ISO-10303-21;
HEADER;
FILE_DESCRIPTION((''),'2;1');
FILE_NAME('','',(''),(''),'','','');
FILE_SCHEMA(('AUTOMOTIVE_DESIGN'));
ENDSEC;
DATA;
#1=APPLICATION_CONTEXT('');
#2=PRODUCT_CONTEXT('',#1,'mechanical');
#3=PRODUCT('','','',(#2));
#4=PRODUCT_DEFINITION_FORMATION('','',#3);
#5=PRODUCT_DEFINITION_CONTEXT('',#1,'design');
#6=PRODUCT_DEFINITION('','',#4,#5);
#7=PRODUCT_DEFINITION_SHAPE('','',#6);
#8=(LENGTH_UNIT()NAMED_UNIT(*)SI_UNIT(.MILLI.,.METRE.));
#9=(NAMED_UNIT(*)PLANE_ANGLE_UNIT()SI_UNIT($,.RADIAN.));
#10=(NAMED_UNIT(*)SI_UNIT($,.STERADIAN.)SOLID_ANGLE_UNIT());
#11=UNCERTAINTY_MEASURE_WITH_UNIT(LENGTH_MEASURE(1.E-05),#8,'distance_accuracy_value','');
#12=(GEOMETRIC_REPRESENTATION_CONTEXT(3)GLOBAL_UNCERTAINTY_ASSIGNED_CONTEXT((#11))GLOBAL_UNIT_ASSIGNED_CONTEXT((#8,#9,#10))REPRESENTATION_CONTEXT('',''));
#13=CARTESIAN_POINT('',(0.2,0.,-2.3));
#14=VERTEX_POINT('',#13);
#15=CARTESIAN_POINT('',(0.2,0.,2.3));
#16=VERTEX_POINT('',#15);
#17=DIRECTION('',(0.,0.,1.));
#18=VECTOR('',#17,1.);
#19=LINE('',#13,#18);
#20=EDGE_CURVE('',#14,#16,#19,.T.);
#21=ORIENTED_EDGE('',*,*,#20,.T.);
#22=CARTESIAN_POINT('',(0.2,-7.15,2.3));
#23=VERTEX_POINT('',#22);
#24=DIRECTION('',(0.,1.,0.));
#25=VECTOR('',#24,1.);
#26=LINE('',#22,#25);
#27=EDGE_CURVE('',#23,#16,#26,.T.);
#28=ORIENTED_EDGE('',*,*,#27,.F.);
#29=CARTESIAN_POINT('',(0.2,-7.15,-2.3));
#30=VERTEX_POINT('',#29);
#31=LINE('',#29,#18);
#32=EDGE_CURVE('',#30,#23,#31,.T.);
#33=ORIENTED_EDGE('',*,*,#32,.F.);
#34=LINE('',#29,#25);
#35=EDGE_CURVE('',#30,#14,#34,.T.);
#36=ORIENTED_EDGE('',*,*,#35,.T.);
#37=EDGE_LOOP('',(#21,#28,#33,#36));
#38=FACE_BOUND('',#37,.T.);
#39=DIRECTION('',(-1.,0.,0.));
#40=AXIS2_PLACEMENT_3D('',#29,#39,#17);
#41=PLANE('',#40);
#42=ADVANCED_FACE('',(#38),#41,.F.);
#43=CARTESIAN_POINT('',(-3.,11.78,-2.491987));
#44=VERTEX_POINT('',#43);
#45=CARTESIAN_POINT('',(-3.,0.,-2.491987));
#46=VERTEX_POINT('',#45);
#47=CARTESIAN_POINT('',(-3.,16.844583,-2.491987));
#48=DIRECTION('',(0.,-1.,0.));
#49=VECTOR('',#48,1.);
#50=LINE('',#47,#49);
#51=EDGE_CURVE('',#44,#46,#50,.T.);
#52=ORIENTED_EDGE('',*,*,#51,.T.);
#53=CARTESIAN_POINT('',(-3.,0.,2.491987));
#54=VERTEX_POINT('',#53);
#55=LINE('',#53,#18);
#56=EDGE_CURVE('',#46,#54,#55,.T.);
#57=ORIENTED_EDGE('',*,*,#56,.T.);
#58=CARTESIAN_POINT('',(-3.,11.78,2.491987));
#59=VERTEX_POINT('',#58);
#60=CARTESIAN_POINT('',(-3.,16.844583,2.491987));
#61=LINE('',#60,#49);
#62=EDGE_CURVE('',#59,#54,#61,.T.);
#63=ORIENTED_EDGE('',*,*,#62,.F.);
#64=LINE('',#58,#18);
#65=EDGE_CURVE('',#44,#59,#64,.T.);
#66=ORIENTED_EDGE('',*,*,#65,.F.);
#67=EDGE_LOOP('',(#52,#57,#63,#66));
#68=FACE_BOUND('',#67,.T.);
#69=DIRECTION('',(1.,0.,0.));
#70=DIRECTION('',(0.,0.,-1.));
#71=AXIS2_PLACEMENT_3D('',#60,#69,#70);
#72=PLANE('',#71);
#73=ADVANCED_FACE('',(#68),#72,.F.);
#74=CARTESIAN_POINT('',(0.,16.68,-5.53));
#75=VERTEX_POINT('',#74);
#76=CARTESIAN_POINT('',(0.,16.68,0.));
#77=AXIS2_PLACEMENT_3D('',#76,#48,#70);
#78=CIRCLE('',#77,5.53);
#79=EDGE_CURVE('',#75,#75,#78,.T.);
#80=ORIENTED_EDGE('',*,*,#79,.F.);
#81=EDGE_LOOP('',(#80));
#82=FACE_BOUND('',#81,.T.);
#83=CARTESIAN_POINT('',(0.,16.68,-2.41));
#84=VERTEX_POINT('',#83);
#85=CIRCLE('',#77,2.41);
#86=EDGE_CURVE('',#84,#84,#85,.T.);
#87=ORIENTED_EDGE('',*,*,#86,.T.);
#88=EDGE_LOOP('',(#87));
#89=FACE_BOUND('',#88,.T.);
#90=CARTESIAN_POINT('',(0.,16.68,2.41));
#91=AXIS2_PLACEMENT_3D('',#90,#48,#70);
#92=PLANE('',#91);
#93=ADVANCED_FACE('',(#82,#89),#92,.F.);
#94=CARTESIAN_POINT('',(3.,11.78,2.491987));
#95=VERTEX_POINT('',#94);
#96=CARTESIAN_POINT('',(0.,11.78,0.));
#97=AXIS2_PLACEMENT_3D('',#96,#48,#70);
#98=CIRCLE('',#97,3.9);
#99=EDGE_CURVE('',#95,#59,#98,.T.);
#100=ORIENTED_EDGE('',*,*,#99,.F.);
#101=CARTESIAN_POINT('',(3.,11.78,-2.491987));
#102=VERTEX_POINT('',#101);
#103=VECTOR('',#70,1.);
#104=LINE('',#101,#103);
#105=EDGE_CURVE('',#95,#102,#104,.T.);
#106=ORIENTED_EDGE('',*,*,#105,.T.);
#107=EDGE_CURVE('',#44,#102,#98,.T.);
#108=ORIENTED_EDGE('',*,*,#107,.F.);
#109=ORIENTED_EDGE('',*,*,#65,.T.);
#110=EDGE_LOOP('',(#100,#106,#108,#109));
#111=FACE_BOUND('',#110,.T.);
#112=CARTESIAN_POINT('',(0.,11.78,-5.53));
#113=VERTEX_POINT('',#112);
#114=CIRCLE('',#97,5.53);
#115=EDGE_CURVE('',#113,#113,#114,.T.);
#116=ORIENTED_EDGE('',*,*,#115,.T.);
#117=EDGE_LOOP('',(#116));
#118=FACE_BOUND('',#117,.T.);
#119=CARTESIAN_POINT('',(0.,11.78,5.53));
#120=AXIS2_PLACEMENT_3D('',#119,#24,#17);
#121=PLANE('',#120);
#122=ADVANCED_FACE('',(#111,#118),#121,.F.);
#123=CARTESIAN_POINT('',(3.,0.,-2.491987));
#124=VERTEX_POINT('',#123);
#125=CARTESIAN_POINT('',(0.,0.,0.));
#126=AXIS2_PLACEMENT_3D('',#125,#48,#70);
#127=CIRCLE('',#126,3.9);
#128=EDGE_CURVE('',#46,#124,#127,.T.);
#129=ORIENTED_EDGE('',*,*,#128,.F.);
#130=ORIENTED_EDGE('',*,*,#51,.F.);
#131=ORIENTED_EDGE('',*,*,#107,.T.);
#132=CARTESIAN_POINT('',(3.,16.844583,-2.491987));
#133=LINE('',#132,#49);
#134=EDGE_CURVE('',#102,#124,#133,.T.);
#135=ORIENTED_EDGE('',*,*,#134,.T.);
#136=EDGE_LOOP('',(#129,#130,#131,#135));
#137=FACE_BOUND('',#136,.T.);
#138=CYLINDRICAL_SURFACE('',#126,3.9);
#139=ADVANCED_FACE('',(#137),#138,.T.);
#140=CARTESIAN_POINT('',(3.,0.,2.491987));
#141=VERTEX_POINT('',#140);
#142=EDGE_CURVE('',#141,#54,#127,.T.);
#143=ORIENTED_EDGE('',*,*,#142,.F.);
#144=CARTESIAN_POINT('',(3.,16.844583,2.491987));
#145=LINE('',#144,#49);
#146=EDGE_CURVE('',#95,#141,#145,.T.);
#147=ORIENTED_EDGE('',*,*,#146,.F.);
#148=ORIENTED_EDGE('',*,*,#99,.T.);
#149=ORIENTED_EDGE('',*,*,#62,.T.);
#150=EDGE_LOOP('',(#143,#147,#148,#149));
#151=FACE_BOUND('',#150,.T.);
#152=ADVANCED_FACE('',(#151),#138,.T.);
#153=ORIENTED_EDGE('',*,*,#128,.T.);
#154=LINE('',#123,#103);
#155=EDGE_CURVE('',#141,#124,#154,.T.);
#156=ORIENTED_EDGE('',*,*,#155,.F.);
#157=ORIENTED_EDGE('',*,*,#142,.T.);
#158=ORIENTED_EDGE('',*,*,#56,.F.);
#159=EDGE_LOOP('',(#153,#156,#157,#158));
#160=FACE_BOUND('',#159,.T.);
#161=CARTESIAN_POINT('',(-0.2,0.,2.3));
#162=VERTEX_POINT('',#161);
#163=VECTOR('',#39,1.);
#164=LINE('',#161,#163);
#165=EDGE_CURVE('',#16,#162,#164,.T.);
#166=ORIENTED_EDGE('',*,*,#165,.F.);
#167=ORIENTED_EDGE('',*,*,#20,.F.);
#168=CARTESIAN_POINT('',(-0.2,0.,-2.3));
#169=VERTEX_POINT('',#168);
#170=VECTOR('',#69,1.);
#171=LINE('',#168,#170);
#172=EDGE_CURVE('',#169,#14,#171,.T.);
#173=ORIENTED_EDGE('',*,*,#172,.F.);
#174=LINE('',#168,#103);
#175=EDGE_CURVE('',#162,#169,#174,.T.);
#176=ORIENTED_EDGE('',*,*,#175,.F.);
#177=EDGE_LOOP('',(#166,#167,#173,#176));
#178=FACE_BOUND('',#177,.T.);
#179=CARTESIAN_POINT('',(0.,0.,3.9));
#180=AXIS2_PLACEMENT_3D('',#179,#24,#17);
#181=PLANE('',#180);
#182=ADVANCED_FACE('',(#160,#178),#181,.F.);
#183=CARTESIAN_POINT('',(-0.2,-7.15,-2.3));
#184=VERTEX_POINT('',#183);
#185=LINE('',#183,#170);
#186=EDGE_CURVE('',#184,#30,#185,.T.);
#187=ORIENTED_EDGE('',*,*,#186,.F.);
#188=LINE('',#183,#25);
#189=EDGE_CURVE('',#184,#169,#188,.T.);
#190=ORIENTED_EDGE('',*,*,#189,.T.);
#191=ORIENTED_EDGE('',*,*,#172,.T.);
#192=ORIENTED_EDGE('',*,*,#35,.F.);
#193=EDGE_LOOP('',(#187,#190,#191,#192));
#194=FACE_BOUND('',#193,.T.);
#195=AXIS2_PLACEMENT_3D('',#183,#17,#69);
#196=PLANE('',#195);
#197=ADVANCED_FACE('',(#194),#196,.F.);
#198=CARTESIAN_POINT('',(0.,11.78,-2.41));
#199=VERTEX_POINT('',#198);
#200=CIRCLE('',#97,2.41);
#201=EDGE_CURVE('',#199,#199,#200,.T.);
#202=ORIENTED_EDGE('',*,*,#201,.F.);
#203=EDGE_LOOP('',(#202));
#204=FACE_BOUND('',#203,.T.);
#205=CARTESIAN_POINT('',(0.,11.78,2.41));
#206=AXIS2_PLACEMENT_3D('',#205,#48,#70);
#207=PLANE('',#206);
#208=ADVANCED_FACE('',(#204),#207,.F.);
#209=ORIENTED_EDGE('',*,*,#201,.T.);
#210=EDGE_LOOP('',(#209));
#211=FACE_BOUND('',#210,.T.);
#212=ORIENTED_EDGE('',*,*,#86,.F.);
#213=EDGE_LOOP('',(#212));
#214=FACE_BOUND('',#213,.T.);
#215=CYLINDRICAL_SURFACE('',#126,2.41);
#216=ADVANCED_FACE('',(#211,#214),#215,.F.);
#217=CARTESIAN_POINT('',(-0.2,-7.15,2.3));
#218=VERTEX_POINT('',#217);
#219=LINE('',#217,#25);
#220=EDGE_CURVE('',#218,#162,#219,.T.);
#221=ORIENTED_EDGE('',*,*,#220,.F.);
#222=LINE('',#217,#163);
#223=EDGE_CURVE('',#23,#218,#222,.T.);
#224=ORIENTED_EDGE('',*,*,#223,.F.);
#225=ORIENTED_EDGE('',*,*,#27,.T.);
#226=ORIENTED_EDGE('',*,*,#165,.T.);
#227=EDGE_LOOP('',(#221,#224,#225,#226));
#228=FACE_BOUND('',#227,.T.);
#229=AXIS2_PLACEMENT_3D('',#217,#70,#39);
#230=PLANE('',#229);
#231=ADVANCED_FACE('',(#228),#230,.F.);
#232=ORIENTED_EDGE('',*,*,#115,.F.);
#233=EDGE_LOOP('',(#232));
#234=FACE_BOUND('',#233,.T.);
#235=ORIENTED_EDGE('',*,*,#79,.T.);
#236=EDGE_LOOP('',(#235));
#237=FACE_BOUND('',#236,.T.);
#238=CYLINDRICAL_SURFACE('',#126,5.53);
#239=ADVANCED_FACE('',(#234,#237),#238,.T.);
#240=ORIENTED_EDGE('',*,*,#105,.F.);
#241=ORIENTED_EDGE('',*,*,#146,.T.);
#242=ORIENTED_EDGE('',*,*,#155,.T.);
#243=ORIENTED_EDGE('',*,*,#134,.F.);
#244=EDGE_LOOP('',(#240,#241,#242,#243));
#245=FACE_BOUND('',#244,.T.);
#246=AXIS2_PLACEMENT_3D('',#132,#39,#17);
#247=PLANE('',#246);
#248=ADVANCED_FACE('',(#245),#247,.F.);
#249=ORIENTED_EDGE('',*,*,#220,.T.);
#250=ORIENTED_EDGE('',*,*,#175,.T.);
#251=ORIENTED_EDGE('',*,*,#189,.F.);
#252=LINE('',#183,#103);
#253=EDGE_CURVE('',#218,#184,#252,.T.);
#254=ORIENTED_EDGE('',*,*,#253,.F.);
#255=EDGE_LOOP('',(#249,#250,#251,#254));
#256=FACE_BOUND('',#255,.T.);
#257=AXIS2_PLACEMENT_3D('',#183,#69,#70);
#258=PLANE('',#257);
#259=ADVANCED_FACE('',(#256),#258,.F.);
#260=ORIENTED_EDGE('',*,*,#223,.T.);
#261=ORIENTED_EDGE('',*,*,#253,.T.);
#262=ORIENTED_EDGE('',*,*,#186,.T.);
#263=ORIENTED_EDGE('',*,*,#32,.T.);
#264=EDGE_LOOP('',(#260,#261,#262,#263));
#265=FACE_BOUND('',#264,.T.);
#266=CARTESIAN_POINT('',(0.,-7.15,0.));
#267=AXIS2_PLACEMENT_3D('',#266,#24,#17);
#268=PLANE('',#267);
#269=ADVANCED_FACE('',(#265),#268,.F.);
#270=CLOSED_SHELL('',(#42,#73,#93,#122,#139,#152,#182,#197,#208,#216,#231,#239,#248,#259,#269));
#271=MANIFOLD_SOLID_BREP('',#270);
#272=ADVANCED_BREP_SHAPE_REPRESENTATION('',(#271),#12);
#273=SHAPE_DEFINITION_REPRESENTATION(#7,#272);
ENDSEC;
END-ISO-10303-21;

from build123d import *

# Parameters (mm, degrees)
CUT_EXTRUDE1_DEPTH  = 11.78
SKETCH3_W           = 0.4
SKETCH3_H           = 4.6
BOSS_EXTRUDE1_DEPTH = 7.15


with BuildPart() as part:
    # Sketch1 → Revolve1 (revolve)
    with BuildSketch(Plane(origin=(0, 0, 0), x_dir=(0, 0, -1), z_dir=(1, 0, 0)), mode=Mode.PRIVATE) as revolve1_sk:
        Polygon((-2.41, 16.68), (-5.53, 16.68), (-5.53, 11.78), (-3.9, 11.78), (-3.9, 0), (0, 0), (0, 11.78), (-2.41, 11.78), align=None)
    revolve(revolve1_sk.sketch.rotate(Axis((0, 0, 0), (0, 1, 0)), 180), axis=Axis((0, 0, 0), (0, 1, 0)))

    # Sketch2 → Cut-Extrude1 (cut)
    with BuildSketch(Plane.XZ):
        with BuildLine():
            Line((3, -2.491987159), (3, 2.491987159))
            ThreePointArc((3, 2.491987159), (3.9, 0), (3, -2.491987159))
        make_face()
        with BuildLine():
            Line((-3, 2.491987159), (-3, -2.491987159))
            ThreePointArc((-3, -2.491987159), (-3.9, 0), (-3, 2.491987159))
        make_face()
    extrude(amount=-CUT_EXTRUDE1_DEPTH, mode=Mode.SUBTRACT)

    # Sketch3 → Boss-Extrude1 (add)
    with BuildSketch(Plane.XZ):
        Rectangle(SKETCH3_W, SKETCH3_H)
    extrude(amount=BOSS_EXTRUDE1_DEPTH)


solid = part.part
